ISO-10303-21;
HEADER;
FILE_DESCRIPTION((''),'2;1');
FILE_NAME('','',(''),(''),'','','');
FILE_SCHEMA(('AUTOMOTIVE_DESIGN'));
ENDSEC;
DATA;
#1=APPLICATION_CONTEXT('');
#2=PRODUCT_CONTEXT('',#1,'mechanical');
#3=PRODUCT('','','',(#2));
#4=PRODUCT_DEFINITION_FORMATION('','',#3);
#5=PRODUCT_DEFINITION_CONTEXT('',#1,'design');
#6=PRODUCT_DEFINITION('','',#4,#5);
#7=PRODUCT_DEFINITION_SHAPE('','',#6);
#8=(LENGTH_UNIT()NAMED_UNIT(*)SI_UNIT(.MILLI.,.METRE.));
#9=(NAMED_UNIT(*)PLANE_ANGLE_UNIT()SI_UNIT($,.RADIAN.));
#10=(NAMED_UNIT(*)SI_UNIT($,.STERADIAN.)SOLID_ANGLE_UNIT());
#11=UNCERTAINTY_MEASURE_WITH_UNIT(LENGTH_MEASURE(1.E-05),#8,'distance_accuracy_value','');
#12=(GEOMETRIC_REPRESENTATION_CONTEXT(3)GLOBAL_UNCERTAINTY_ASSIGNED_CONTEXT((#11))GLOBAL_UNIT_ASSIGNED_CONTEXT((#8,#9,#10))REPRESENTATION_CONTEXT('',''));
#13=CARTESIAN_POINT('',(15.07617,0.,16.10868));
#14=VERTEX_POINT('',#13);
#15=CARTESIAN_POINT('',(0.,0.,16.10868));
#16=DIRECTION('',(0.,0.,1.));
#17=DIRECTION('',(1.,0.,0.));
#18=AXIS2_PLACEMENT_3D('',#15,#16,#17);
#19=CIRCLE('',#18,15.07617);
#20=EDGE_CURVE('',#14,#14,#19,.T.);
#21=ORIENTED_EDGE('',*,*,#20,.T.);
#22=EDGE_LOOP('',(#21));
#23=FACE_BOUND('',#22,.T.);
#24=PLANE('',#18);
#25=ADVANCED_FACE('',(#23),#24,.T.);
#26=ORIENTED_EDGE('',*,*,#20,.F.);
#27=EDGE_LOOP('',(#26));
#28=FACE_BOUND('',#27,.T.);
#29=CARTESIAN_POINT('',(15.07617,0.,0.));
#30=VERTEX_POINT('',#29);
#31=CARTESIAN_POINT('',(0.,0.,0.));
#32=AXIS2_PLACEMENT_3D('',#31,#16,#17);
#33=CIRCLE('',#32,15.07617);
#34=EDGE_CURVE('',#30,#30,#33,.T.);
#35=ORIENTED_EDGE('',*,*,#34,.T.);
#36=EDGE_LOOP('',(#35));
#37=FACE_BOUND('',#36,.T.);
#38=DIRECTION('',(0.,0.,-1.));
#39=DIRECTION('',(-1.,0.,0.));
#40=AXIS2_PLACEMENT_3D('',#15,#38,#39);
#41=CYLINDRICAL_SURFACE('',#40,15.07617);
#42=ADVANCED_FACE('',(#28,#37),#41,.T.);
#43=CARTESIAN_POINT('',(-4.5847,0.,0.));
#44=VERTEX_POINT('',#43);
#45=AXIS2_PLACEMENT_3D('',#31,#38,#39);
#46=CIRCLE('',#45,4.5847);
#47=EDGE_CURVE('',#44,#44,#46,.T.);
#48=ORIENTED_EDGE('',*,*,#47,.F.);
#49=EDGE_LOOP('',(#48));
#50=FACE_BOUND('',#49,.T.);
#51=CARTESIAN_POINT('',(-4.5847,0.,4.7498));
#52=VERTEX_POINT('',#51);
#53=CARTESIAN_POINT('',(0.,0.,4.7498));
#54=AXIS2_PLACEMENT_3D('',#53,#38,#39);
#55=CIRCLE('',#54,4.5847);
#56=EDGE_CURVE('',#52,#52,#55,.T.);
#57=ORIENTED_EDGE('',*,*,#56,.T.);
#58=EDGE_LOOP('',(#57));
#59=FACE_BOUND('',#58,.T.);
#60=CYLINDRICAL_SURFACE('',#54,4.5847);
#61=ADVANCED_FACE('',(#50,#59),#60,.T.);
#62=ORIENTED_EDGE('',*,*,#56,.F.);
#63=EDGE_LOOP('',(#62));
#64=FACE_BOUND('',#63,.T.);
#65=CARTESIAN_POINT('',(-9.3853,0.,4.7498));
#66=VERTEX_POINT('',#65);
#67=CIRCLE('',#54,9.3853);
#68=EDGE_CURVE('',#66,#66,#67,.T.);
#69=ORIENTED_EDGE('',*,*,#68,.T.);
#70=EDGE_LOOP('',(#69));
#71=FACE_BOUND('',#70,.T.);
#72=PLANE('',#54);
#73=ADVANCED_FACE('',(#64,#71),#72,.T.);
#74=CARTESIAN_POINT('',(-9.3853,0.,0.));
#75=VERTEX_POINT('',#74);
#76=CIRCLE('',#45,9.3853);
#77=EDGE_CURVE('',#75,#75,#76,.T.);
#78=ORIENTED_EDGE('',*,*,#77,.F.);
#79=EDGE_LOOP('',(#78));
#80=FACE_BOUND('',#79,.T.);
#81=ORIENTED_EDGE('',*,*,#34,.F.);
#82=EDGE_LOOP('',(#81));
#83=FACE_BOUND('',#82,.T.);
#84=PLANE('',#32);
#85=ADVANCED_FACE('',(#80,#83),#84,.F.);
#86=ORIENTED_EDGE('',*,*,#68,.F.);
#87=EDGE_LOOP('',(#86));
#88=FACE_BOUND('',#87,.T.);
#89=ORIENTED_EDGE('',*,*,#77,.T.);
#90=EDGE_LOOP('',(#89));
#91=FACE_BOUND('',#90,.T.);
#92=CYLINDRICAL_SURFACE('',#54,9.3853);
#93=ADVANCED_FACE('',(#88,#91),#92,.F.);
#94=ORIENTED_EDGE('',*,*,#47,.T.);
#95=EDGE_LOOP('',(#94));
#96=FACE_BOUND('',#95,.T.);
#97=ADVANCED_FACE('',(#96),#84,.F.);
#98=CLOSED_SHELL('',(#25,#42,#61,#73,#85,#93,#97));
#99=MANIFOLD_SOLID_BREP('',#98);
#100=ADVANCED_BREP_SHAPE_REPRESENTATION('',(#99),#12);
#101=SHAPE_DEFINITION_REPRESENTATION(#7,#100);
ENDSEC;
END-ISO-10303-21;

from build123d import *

# Parameters (mm, degrees)
SKETCH1_R           = 15.07617
BOSS_EXTRUDE1_DEPTH = 16.10868
SKETCH2_R           = 9.3853
SKETCH2_R_2         = 4.5847
CUT_EXTRUDE1_DEPTH  = 4.7498


with BuildPart() as part:
    # Sketch1 → Boss-Extrude1 (new body)
    with BuildSketch(Plane.XY):
        Circle(SKETCH1_R)
    extrude(amount=BOSS_EXTRUDE1_DEPTH)

    # Sketch2 → Cut-Extrude1 (cut)
    with BuildSketch(Plane(origin=(0, 0, 0), x_dir=(-1, 0, 0), z_dir=(0, 0, -1))):
        Circle(SKETCH2_R)
        Circle(SKETCH2_R_2, mode=Mode.SUBTRACT)
    extrude(amount=-CUT_EXTRUDE1_DEPTH, mode=Mode.SUBTRACT)


solid = part.part
